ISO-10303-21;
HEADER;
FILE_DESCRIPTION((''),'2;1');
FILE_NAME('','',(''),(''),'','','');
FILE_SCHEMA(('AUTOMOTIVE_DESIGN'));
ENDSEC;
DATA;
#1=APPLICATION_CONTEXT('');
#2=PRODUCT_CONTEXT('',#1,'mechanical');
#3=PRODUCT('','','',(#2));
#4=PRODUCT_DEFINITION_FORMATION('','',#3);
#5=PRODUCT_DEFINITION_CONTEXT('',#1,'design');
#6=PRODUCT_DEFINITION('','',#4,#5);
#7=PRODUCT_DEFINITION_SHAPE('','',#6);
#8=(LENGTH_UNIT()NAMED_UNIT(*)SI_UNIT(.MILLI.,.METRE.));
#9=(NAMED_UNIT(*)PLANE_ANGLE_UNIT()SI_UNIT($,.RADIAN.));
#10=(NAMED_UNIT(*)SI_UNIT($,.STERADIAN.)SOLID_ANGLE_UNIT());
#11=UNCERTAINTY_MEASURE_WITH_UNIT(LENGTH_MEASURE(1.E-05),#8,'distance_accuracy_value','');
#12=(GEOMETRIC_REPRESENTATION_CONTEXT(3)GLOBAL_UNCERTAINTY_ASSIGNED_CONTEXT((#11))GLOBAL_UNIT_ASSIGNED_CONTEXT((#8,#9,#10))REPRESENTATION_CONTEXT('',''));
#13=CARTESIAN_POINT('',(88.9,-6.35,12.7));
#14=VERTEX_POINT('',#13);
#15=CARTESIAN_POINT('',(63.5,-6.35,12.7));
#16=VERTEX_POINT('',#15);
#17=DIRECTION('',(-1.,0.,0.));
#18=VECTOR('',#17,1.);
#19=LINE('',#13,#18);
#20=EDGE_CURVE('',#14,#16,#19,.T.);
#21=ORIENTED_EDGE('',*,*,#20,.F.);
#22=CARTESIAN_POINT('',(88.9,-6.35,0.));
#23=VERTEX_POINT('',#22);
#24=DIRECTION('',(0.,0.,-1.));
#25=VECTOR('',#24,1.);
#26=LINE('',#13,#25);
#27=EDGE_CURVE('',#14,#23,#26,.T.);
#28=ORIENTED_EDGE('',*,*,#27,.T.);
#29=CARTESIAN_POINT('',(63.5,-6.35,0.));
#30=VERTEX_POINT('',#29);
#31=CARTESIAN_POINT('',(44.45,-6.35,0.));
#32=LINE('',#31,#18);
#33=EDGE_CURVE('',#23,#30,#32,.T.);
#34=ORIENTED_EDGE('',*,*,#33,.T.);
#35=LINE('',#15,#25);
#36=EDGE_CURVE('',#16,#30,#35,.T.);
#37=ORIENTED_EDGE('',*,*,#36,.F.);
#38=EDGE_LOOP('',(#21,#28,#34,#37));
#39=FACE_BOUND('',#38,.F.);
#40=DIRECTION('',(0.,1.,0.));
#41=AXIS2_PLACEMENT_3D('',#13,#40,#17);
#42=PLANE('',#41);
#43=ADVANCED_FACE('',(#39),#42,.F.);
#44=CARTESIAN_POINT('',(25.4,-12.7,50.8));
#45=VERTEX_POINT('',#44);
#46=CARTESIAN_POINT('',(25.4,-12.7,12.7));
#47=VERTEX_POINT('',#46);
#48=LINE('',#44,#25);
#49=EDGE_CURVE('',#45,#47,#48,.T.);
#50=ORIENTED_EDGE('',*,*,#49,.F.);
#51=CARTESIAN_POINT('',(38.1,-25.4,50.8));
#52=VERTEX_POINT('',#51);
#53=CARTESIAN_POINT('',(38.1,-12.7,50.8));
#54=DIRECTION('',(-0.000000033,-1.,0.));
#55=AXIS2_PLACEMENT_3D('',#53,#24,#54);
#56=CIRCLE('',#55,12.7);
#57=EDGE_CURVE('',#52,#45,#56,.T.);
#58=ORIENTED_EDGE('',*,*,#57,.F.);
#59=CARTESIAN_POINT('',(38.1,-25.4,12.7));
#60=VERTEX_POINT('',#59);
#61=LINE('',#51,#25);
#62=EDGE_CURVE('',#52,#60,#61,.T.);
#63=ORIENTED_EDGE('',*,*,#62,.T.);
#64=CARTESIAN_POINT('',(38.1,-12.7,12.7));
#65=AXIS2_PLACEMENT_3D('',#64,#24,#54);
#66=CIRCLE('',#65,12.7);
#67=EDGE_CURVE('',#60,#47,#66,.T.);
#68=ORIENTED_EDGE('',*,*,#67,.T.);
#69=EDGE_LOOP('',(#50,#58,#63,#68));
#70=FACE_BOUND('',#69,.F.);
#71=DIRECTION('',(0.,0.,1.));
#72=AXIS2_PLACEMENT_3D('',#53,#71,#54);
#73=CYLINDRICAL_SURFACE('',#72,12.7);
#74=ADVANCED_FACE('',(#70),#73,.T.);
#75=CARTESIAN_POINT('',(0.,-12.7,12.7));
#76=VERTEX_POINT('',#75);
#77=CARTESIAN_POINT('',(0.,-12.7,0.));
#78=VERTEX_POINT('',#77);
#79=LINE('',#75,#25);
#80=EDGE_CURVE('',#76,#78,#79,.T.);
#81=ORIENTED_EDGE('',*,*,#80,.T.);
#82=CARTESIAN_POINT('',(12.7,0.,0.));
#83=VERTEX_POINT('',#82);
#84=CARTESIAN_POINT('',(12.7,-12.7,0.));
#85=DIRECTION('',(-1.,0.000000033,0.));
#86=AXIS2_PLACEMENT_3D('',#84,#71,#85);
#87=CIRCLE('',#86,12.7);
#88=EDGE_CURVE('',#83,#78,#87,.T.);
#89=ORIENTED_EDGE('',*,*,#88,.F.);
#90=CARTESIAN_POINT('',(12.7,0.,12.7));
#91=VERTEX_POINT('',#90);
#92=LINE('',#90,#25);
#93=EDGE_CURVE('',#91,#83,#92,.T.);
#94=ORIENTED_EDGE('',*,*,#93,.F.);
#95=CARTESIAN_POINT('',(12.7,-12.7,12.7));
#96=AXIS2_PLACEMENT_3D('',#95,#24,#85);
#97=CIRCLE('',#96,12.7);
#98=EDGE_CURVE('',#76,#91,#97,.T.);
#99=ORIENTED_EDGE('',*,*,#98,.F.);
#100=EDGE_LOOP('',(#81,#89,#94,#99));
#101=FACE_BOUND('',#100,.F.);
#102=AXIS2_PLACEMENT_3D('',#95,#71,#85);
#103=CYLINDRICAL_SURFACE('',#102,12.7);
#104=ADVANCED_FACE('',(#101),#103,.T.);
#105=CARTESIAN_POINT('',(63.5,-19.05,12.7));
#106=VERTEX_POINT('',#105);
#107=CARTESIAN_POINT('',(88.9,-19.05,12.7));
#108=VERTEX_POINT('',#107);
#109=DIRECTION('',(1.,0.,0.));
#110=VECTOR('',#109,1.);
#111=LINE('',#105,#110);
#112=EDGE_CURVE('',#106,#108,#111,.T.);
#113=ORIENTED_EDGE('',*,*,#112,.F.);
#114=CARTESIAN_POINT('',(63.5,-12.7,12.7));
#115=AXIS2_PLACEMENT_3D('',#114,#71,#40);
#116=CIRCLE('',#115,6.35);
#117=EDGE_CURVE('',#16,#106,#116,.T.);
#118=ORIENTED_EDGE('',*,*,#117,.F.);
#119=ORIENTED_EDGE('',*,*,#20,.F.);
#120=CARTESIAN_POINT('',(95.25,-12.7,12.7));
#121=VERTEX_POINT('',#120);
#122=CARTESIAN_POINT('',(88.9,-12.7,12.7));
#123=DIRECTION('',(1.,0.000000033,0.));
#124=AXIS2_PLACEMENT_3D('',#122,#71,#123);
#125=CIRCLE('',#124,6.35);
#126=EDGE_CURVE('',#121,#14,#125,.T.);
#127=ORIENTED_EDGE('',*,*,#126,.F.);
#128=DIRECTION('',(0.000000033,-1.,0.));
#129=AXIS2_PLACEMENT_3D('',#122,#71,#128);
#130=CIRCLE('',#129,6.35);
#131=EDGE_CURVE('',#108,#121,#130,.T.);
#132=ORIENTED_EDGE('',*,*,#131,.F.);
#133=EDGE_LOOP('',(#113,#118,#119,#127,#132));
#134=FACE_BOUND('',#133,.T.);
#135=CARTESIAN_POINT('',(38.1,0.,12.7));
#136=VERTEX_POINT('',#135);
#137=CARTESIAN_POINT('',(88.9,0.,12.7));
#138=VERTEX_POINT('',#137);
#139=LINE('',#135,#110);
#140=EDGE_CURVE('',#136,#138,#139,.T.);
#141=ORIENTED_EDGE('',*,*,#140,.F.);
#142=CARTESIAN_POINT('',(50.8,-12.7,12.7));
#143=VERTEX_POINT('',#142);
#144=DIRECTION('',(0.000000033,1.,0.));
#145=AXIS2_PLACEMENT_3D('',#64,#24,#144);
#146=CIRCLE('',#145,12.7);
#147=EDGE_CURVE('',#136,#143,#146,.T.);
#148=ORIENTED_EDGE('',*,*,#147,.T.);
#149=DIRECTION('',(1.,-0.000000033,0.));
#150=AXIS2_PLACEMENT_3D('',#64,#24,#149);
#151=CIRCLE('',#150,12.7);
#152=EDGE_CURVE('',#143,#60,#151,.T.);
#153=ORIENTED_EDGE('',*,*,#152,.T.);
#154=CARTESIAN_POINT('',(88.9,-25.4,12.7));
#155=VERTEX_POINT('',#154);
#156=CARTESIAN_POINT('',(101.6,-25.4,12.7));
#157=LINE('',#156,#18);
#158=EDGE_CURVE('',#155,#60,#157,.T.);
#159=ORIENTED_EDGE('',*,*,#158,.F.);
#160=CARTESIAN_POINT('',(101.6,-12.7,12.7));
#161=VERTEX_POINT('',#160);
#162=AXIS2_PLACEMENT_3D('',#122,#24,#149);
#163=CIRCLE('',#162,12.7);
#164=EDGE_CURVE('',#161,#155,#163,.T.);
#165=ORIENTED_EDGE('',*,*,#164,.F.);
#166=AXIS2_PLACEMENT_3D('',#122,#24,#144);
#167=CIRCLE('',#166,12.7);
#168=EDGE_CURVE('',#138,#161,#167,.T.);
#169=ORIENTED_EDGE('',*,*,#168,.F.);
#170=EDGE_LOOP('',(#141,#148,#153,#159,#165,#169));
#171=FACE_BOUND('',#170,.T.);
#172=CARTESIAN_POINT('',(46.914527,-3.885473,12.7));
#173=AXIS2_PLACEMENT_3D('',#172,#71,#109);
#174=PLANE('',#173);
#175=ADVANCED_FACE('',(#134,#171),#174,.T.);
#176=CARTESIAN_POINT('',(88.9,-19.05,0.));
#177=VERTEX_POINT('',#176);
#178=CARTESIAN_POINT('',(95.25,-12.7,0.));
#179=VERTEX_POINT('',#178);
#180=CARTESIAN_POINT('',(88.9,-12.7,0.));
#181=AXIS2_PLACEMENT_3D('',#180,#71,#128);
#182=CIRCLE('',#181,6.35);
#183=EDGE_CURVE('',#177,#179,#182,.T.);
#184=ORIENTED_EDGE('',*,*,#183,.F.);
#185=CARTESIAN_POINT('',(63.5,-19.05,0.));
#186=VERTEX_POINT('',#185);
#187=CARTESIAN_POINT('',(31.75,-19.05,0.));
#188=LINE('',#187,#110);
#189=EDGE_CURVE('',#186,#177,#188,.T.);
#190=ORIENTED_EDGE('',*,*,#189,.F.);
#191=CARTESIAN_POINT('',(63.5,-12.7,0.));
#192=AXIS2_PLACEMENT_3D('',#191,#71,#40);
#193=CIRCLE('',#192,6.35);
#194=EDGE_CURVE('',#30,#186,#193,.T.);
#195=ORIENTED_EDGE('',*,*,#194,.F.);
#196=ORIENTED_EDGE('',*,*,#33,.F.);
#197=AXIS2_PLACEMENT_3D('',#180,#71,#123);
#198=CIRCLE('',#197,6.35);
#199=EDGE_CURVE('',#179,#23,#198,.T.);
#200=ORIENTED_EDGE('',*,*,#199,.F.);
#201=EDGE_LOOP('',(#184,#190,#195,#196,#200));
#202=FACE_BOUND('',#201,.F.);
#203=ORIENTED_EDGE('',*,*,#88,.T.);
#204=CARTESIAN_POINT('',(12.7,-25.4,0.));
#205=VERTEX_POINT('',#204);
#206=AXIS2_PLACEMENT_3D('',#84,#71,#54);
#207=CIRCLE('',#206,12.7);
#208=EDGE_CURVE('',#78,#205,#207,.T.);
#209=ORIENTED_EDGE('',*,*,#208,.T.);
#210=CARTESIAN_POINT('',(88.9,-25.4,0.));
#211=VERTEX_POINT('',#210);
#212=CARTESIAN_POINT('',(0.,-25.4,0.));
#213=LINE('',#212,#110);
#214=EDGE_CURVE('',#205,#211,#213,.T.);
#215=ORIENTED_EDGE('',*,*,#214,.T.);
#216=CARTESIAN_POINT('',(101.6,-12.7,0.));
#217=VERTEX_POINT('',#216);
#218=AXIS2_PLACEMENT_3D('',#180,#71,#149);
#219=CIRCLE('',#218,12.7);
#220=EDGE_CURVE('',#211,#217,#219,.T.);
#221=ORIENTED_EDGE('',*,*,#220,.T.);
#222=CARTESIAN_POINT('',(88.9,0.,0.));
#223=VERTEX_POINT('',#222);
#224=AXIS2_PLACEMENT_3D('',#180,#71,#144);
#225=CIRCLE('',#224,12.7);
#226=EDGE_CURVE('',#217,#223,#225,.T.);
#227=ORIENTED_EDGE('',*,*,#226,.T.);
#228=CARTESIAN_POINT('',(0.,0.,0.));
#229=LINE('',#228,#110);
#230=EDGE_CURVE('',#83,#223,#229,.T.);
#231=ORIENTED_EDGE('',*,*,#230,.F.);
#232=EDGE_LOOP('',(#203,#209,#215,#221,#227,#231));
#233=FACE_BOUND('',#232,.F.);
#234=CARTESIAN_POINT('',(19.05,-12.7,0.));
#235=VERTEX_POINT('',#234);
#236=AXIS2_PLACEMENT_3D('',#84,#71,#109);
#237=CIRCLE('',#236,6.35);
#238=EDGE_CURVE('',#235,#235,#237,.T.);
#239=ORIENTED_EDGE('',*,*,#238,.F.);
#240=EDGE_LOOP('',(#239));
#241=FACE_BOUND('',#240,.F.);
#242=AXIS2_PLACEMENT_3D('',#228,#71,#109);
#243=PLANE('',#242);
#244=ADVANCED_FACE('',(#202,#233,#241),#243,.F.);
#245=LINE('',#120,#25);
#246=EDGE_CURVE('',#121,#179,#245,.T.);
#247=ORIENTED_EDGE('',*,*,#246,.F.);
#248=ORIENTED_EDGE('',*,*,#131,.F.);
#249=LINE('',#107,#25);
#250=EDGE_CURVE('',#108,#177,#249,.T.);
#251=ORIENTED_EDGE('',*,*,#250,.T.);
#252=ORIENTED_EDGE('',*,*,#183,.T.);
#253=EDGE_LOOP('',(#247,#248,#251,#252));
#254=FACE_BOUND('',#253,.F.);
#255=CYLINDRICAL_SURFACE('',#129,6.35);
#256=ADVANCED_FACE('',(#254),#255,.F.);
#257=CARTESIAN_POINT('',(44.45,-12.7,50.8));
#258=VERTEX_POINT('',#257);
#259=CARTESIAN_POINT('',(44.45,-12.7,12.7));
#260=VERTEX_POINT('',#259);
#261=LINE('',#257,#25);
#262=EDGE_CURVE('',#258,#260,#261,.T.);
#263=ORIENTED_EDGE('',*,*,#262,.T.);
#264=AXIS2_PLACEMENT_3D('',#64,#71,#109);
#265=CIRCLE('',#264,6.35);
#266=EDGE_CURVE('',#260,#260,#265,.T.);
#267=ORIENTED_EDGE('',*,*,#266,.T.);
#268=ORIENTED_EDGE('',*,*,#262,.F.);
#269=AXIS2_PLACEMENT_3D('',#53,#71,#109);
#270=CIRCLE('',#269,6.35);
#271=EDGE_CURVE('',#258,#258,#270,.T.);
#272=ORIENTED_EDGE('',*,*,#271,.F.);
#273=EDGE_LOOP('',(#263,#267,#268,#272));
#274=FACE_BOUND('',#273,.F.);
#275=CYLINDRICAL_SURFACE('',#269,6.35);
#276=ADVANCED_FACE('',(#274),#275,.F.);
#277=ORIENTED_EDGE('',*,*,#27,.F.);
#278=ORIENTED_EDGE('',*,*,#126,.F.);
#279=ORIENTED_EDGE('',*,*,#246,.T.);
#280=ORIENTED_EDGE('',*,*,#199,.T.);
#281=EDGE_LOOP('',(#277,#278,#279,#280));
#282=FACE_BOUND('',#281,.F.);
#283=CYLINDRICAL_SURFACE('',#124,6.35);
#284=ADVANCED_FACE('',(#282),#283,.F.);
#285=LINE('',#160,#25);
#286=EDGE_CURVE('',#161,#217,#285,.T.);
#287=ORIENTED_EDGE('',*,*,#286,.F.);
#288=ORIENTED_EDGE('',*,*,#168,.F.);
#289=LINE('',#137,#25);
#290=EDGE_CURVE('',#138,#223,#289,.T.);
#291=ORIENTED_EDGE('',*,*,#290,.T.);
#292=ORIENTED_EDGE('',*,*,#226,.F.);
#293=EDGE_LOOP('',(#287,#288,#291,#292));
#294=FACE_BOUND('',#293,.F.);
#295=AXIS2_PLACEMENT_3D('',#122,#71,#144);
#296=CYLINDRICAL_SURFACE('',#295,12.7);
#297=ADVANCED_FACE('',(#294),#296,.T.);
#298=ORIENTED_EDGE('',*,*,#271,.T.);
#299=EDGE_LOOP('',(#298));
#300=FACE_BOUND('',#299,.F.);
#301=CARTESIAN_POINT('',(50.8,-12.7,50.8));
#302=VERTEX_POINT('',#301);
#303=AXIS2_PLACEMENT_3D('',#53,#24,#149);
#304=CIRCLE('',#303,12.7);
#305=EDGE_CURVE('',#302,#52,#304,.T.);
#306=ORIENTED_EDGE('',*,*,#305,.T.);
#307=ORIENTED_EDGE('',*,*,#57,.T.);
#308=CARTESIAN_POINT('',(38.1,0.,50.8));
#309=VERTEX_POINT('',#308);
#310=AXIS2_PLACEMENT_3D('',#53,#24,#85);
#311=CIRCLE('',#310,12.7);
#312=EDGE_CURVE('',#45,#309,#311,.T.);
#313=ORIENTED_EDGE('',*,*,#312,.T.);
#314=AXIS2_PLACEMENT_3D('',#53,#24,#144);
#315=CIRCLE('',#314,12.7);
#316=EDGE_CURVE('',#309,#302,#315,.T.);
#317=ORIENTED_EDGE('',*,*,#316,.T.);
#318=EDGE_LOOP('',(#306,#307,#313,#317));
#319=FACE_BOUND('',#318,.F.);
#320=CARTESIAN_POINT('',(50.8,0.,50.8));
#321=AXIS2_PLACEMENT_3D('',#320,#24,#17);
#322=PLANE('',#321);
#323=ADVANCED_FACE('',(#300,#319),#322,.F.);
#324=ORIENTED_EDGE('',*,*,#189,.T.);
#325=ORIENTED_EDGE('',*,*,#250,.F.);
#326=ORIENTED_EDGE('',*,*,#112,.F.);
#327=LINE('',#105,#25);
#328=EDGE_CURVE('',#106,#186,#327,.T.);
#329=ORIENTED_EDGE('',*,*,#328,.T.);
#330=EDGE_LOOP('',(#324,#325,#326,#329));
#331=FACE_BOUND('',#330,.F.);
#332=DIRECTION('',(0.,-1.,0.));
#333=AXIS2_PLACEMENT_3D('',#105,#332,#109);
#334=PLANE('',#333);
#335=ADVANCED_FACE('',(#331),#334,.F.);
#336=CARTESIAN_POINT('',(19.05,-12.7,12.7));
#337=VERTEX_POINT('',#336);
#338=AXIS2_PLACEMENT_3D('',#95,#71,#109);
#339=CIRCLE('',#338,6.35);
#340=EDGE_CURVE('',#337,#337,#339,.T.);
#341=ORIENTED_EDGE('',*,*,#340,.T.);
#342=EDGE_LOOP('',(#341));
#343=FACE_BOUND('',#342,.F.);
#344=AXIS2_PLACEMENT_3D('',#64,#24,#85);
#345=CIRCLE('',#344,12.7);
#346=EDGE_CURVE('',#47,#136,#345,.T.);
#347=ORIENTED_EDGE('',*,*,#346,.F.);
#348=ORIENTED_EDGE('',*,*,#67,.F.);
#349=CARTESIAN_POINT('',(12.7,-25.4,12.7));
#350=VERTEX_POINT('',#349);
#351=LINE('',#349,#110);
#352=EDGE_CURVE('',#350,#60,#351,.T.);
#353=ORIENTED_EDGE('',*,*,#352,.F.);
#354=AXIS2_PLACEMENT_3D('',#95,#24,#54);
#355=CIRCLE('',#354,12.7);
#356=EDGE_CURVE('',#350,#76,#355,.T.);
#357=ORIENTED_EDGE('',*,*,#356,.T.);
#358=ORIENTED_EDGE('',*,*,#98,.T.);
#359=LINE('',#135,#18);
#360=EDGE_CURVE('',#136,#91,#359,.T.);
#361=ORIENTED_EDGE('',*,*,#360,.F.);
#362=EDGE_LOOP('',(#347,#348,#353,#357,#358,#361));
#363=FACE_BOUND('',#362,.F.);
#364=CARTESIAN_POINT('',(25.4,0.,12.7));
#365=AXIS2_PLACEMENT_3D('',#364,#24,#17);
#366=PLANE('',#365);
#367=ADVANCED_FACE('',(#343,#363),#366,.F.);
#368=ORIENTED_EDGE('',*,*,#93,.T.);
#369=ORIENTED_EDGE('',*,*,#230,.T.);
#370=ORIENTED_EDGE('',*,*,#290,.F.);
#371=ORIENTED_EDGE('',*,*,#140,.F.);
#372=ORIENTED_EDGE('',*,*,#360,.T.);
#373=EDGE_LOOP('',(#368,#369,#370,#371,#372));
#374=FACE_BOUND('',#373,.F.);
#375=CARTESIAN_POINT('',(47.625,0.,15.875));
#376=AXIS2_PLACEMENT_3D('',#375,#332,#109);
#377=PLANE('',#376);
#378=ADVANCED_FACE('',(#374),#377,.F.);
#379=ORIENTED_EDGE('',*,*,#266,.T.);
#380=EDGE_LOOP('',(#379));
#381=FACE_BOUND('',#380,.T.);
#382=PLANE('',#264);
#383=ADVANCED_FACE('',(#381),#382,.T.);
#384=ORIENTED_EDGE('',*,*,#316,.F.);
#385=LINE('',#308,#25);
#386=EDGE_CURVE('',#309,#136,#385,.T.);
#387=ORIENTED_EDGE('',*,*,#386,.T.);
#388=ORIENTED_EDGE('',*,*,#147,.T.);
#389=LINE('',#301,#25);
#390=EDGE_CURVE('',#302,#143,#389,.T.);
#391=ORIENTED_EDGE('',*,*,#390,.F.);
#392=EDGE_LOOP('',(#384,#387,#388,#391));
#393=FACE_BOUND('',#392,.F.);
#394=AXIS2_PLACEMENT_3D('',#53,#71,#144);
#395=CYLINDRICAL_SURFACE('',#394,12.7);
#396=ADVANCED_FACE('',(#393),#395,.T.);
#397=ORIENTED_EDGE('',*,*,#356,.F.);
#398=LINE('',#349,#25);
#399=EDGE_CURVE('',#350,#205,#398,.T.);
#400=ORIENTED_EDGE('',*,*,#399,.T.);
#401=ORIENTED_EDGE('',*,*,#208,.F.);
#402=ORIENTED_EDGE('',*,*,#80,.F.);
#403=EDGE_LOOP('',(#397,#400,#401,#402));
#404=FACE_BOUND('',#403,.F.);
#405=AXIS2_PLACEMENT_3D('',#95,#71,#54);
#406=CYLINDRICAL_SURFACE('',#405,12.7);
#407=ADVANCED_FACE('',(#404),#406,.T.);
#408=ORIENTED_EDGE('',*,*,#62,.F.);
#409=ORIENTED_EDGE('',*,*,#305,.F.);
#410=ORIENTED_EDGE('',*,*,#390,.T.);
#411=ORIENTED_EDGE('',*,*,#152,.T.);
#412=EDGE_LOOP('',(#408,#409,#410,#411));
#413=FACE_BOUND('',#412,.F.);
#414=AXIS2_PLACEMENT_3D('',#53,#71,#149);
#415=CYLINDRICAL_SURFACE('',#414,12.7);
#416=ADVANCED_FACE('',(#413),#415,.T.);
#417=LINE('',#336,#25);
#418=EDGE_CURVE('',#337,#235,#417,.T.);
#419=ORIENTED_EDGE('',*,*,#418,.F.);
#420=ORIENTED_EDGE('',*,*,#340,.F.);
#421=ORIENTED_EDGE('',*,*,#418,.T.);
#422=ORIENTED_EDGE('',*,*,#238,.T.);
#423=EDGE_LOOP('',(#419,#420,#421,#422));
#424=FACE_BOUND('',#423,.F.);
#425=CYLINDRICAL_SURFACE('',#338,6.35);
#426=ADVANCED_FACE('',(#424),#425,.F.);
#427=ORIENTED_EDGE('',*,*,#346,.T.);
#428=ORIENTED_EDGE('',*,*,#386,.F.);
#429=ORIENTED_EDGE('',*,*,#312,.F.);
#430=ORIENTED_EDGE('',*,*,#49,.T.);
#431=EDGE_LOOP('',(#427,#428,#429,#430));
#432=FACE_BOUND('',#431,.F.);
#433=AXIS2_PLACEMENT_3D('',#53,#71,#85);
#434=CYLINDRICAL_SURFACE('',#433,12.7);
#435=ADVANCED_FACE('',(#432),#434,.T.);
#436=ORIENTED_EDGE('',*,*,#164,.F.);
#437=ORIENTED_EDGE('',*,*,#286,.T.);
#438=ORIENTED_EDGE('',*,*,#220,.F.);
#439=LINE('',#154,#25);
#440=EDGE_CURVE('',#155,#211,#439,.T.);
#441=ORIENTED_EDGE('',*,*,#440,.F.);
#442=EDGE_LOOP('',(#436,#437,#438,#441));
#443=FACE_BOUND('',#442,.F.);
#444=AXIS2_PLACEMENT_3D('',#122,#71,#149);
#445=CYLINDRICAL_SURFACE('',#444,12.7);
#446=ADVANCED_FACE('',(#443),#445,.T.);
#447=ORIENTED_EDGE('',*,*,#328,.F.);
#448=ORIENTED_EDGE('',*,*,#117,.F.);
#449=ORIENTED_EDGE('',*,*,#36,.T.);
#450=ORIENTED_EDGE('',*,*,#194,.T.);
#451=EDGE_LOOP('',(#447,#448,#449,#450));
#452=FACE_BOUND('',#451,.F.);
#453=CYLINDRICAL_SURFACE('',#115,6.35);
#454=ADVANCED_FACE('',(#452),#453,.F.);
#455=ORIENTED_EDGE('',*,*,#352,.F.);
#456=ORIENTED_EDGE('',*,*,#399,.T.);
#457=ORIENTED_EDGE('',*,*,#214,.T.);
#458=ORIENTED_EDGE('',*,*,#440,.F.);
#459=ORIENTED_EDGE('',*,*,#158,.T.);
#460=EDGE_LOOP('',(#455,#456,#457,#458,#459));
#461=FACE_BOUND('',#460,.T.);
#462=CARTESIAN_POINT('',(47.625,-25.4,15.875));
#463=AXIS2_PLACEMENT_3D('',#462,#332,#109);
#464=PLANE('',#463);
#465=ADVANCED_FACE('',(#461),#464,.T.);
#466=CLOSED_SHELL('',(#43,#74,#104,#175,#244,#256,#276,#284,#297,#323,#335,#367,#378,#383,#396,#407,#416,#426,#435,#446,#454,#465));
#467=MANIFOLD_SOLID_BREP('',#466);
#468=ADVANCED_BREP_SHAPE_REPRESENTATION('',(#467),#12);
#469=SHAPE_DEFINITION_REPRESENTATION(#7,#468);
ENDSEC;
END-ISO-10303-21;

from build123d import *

# Parameters (mm, degrees)
F1_DEPTH = 25.4
F2_R     = 6.35
F3_DEPTH = 25.4
F4_R     = 6.35
F5_DEPTH = 38.1
F7_DEPTH = 25.4


with BuildPart() as f1:
    # F0 (on Front) → F1 (new body)
    with BuildSketch(Plane.XZ):
        Polygon((0, 12.7), (0, 0), (101.6, 0), (101.6, 12.7), (50.8, 12.7), (50.8, 50.8), (25.4, 50.8), (25.4, 12.7), align=None)
    extrude(amount=F1_DEPTH)

    # F2 (on face) → F3 (cut)
    with BuildSketch(Plane.XY.offset(12.7)):
        with Locations((12.7, -12.7)):
            Circle(F2_R)
        with BuildLine():
            ThreePointArc((0, -12.7), (3.719744, -3.719744), (12.7, 0))
            Line((12.7, 0), (0, 0))
            Line((0, 0), (0, -12.7))
        make_face()
        with BuildLine():
            ThreePointArc((12.7, -25.4), (3.719744, -21.680256), (0, -12.7))
            Line((0, -12.7), (0, -25.4))
            Line((0, -25.4), (12.7, -25.4))
        make_face()
    extrude(amount=-F3_DEPTH, mode=Mode.SUBTRACT)

    # F4 (on face) → F5 (cut)
    with BuildSketch(Plane.XY.offset(50.8)):
        with BuildLine():
            ThreePointArc((38.1, 0), (47.080256, -3.719744), (50.8, -12.7))
            Line((50.8, -12.7), (50.8, 0))
            Line((50.8, 0), (38.1, 0))
        make_face()
        with Locations((38.1, -12.7)):
            Circle(F4_R)
        with BuildLine():
            ThreePointArc((25.4, -12.7), (29.119744, -3.719744), (38.1, 0))
            Line((38.1, 0), (25.4, 0))
            Line((25.4, 0), (25.4, -12.7))
        make_face()
        with BuildLine():
            Line((25.4, -25.4), (38.1, -25.4))
            ThreePointArc((38.1, -25.4), (29.119744, -21.680256), (25.4, -12.7))
            Line((25.4, -12.7), (25.4, -25.4))
        make_face()
        with BuildLine():
            Line((50.8, -25.4), (50.8, -12.7))
            ThreePointArc((50.8, -12.7), (47.080256, -21.680256), (38.1, -25.4))
            Line((38.1, -25.4), (50.8, -25.4))
        make_face()
    extrude(amount=-F5_DEPTH, mode=Mode.SUBTRACT)

    # F6 (on face) → F7 (cut)
    with BuildSketch(Plane.XY.offset(12.7)):
        with BuildLine():
            ThreePointArc((88.9, -19.05), (82.55, -12.7), (88.9, -6.35))
            Line((88.9, -6.35), (63.5, -6.35))
            ThreePointArc((63.5, -6.35), (67.990128, -8.209872), (69.85, -12.7))
            ThreePointArc((69.85, -12.7), (67.990128, -17.190128), (63.5, -19.05))
            Line((63.5, -19.05), (88.9, -19.05))
        make_face()
        with BuildLine():
            ThreePointArc((69.85, -12.7), (67.990128, -8.209872), (63.5, -6.35))
            ThreePointArc((63.5, -6.35), (57.15, -12.7), (63.5, -19.05))
            ThreePointArc((63.5, -19.05), (67.990128, -17.190128), (69.85, -12.7))
        make_face()
        with BuildLine():
            ThreePointArc((88.9, -19.05), (93.390128, -17.190128), (95.25, -12.7))
            ThreePointArc((95.25, -12.7), (93.390128, -8.209872), (88.9, -6.35))
            ThreePointArc((88.9, -6.35), (82.55, -12.7), (88.9, -19.05))
        make_face()
        with BuildLine():
            ThreePointArc((101.6, -12.7), (97.880256, -21.680256), (88.9, -25.4))
            Line((88.9, -25.4), (101.6, -25.4))
            Line((101.6, -25.4), (101.6, -12.7))
        make_face()
        with BuildLine():
            ThreePointArc((88.9, 0), (97.880256, -3.719744), (101.6, -12.7))
            Line((101.6, -12.7), (101.6, 0))
            Line((101.6, 0), (88.9, 0))
        make_face()
    extrude(amount=-F7_DEPTH, mode=Mode.SUBTRACT)


solid = f1.part
